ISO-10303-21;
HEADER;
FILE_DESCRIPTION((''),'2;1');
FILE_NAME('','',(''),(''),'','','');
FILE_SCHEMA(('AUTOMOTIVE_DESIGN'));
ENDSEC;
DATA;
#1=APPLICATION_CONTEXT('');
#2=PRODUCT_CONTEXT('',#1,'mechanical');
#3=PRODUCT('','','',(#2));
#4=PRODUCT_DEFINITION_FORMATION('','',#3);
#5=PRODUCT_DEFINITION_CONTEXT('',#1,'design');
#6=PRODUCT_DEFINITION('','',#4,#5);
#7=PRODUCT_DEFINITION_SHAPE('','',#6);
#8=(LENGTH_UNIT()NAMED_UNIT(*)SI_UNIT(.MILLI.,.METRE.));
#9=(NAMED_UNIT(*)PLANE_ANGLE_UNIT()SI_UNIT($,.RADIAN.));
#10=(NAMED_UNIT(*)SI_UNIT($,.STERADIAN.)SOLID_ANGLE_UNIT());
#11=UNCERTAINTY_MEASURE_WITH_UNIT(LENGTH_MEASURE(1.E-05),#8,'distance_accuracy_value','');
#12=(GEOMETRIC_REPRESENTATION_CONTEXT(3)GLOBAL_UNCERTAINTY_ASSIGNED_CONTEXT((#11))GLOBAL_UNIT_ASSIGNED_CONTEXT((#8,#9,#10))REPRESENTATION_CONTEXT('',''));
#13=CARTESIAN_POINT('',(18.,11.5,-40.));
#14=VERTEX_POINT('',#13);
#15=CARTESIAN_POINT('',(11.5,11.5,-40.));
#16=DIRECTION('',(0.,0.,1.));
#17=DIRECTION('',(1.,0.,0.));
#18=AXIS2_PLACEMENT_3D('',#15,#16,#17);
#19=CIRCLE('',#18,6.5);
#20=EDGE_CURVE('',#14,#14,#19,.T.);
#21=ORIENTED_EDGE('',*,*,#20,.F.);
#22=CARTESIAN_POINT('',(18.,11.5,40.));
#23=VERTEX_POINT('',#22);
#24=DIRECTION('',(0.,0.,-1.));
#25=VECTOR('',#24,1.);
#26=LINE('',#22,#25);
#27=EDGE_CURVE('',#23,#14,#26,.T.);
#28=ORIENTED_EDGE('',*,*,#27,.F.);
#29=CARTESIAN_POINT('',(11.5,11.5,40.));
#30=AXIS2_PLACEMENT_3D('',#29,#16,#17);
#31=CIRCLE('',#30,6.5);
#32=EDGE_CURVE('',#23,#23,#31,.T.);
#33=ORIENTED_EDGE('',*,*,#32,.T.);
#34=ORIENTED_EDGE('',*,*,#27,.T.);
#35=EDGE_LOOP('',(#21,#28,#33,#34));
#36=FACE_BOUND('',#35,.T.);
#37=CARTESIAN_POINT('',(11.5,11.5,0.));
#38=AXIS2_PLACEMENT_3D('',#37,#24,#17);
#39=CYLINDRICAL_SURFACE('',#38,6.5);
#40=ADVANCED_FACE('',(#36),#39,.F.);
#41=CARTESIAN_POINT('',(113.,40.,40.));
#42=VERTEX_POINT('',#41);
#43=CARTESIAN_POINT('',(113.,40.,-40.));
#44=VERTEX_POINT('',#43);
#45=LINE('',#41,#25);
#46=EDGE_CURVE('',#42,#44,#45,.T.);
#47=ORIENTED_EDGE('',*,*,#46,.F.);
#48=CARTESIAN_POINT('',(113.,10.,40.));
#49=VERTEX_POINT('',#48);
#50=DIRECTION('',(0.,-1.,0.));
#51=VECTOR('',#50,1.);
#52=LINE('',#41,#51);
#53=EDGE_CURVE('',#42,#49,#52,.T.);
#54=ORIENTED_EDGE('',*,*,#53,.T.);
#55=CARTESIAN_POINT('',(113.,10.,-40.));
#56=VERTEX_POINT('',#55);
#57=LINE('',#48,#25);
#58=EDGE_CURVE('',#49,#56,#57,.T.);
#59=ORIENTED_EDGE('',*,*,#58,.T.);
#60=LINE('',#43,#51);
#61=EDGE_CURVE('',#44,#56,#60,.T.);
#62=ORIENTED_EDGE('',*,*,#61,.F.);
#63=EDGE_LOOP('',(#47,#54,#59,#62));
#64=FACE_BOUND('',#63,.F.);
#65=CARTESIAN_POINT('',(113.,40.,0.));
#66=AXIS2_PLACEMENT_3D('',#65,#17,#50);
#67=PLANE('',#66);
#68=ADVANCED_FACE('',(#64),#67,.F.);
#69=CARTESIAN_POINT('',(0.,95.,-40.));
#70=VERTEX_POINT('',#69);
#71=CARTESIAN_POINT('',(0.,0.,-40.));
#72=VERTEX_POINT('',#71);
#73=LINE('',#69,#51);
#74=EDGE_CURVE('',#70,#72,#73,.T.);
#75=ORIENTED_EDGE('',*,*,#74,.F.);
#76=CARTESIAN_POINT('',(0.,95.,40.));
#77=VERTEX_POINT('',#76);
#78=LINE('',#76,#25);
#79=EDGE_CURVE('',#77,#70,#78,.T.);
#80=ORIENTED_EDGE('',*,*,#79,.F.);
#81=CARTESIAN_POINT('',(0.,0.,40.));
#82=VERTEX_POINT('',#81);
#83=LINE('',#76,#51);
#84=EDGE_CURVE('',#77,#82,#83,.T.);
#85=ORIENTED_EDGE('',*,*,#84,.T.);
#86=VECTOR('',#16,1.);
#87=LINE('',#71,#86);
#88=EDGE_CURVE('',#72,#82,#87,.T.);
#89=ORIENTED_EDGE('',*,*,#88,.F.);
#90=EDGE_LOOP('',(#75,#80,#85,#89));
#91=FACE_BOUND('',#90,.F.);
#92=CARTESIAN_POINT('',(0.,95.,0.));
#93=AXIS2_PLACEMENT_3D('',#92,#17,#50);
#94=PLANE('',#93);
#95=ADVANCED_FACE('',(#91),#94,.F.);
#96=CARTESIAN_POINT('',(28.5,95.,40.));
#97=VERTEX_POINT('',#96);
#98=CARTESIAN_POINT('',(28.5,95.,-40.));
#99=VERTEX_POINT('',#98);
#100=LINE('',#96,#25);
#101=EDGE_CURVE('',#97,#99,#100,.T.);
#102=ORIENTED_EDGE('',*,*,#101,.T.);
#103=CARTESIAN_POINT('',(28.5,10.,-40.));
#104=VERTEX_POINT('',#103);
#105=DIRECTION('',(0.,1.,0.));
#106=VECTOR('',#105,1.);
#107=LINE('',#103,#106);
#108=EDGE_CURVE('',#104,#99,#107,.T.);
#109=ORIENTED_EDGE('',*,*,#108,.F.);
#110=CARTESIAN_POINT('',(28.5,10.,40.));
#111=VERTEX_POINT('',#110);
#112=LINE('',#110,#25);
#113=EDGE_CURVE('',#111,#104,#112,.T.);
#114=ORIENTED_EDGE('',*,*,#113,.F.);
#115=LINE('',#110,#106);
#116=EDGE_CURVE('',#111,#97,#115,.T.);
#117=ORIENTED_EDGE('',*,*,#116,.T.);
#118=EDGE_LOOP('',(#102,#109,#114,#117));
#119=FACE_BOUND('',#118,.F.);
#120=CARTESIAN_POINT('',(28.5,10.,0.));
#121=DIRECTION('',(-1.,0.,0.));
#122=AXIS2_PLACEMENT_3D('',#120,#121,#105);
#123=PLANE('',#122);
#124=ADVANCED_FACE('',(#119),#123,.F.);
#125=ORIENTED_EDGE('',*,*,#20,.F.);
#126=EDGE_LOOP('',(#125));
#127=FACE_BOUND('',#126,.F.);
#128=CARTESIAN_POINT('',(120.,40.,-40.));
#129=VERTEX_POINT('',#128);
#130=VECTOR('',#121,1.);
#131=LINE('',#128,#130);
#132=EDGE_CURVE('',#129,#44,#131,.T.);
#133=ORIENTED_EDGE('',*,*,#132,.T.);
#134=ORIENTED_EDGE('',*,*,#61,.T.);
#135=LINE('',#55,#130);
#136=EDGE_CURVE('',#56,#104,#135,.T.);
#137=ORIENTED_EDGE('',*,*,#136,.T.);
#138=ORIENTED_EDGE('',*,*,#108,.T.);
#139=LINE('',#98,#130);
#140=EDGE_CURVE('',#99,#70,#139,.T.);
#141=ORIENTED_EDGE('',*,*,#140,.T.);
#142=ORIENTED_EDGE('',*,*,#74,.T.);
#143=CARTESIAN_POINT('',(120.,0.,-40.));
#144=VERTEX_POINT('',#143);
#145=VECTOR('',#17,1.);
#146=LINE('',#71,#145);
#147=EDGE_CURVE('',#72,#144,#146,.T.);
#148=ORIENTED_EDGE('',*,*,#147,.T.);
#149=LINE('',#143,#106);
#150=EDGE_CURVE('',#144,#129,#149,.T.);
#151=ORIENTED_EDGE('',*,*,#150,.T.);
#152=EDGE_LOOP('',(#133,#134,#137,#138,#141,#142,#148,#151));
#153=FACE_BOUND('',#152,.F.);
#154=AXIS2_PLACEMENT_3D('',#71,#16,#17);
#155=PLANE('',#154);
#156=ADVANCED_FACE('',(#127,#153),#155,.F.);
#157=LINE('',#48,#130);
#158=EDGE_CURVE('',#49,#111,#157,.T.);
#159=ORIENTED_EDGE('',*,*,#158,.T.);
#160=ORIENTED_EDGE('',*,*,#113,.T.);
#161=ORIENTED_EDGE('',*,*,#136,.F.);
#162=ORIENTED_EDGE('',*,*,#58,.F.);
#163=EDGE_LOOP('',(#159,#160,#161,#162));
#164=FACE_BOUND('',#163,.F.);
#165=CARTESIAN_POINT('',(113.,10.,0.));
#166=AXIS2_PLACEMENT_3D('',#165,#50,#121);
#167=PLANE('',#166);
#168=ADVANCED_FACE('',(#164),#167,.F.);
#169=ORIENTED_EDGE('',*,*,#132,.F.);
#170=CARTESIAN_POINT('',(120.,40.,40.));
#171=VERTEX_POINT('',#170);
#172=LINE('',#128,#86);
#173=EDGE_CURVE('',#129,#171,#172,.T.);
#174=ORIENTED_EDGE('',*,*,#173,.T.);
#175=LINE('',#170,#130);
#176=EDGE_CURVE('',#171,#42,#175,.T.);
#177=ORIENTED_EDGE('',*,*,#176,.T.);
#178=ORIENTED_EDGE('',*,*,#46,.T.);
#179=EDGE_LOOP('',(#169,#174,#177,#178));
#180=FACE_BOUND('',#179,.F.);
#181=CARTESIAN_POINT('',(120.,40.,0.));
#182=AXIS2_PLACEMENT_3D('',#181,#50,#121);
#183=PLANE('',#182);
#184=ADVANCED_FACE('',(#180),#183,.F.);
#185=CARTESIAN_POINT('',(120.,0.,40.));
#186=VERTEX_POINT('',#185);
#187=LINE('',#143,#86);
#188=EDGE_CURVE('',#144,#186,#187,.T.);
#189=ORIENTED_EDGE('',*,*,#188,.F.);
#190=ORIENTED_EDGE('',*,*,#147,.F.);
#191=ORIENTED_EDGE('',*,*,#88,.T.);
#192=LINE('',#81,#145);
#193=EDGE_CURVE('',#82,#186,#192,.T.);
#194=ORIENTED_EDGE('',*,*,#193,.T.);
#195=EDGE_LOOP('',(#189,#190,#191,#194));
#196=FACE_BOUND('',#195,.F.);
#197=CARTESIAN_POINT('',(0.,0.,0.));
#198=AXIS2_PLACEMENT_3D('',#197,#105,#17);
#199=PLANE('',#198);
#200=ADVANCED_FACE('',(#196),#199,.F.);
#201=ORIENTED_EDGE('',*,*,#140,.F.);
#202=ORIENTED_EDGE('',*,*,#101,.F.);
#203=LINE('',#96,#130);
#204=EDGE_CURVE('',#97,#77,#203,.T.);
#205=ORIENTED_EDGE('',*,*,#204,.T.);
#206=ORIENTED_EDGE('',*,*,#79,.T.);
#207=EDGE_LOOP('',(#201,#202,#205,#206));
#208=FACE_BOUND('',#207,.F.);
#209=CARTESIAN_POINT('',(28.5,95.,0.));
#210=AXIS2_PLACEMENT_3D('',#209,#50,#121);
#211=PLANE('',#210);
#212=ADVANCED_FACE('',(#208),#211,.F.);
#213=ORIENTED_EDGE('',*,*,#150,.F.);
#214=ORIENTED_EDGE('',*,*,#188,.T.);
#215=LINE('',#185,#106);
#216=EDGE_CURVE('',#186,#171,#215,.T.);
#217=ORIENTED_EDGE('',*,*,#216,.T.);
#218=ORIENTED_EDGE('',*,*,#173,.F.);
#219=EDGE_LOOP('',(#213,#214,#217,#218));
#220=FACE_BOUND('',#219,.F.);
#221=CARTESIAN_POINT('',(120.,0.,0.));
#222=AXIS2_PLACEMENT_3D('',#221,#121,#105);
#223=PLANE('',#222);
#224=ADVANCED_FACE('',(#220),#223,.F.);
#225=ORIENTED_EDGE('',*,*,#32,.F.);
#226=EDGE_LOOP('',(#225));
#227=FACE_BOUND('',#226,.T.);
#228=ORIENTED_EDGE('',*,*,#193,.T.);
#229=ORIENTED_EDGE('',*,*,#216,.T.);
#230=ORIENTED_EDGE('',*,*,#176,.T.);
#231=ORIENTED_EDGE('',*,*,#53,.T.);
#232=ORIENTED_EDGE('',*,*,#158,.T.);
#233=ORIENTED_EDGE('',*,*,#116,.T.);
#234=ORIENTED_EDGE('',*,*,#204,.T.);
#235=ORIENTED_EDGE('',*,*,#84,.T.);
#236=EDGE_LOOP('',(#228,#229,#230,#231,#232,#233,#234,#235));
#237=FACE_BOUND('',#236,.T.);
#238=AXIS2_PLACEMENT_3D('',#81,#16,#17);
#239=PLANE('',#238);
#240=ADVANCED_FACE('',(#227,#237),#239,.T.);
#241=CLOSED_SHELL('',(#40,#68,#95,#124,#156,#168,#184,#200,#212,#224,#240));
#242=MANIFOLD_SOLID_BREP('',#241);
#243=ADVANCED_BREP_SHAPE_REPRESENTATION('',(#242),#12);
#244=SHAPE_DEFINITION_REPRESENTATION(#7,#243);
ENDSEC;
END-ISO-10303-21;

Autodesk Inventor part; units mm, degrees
ref_plane "YZ Plane" through (0, 0, 0) normal (1, 0, 0) x (0, 1, 0)
ref_plane "XZ Plane" through (0, 0, 0) normal (0, 1, 0) x (-1, 0, 0)
ref_plane "XY Plane" through (0, 0, 0) normal (0, 0, 1) x (1, 0, 0)
sketch "Skizze1" plane through (0, 0, 0) normal (0, 0, 1) x (1, 0, 0)
  line L0 (0, 0) -> (120, 0)
  line L1 (120, 0) -> (120, 40)
  line L2 (120, 40) -> (113, 40)
  line L3 (113, 40) -> (113, 10)
  line L4 (113, 10) -> (28.5, 10)
  line L5 (28.5, 10) -> (28.5, 95)
  line L6 (28.5, 95) -> (0, 95)
  line L7 (0, 95) -> (0, 0)
  circle A0 centre (11.5, 11.5) radius 6.5
  dimension "d0" = 120
  dimension "d2" = 40
  dimension "d3" = 7
  dimension "d4" = 10
  dimension "d5" = 95
  dimension "d7" = 13
  dimension "d10" = 11.5
  dimension "d11" = 11.5
  dimension "d15" = 17
extrude "Extrusion1" add sketch "Skizze1" along normal mid plane 80
sketch "Skizze2" plane through (28.5, 10, 40) normal (0, 1, 0) x (1, 0, 0)
  line L0 (0, 80) -> (0, 0) projected
  line L1 (84.5, 0) -> (0, 0) projected
  line L2 (84.5, 80) -> (84.5, 0) projected
  line L3 (0, 80) -> (84.5, 80) projected
  point P0 (-28.5, 40)
  point P1 (41.5, 40)
  point P2 (41.5, 40)
  dimension "d16" = 41.5
properties part number "schlitten" material "Acetalharz, schwarz"
